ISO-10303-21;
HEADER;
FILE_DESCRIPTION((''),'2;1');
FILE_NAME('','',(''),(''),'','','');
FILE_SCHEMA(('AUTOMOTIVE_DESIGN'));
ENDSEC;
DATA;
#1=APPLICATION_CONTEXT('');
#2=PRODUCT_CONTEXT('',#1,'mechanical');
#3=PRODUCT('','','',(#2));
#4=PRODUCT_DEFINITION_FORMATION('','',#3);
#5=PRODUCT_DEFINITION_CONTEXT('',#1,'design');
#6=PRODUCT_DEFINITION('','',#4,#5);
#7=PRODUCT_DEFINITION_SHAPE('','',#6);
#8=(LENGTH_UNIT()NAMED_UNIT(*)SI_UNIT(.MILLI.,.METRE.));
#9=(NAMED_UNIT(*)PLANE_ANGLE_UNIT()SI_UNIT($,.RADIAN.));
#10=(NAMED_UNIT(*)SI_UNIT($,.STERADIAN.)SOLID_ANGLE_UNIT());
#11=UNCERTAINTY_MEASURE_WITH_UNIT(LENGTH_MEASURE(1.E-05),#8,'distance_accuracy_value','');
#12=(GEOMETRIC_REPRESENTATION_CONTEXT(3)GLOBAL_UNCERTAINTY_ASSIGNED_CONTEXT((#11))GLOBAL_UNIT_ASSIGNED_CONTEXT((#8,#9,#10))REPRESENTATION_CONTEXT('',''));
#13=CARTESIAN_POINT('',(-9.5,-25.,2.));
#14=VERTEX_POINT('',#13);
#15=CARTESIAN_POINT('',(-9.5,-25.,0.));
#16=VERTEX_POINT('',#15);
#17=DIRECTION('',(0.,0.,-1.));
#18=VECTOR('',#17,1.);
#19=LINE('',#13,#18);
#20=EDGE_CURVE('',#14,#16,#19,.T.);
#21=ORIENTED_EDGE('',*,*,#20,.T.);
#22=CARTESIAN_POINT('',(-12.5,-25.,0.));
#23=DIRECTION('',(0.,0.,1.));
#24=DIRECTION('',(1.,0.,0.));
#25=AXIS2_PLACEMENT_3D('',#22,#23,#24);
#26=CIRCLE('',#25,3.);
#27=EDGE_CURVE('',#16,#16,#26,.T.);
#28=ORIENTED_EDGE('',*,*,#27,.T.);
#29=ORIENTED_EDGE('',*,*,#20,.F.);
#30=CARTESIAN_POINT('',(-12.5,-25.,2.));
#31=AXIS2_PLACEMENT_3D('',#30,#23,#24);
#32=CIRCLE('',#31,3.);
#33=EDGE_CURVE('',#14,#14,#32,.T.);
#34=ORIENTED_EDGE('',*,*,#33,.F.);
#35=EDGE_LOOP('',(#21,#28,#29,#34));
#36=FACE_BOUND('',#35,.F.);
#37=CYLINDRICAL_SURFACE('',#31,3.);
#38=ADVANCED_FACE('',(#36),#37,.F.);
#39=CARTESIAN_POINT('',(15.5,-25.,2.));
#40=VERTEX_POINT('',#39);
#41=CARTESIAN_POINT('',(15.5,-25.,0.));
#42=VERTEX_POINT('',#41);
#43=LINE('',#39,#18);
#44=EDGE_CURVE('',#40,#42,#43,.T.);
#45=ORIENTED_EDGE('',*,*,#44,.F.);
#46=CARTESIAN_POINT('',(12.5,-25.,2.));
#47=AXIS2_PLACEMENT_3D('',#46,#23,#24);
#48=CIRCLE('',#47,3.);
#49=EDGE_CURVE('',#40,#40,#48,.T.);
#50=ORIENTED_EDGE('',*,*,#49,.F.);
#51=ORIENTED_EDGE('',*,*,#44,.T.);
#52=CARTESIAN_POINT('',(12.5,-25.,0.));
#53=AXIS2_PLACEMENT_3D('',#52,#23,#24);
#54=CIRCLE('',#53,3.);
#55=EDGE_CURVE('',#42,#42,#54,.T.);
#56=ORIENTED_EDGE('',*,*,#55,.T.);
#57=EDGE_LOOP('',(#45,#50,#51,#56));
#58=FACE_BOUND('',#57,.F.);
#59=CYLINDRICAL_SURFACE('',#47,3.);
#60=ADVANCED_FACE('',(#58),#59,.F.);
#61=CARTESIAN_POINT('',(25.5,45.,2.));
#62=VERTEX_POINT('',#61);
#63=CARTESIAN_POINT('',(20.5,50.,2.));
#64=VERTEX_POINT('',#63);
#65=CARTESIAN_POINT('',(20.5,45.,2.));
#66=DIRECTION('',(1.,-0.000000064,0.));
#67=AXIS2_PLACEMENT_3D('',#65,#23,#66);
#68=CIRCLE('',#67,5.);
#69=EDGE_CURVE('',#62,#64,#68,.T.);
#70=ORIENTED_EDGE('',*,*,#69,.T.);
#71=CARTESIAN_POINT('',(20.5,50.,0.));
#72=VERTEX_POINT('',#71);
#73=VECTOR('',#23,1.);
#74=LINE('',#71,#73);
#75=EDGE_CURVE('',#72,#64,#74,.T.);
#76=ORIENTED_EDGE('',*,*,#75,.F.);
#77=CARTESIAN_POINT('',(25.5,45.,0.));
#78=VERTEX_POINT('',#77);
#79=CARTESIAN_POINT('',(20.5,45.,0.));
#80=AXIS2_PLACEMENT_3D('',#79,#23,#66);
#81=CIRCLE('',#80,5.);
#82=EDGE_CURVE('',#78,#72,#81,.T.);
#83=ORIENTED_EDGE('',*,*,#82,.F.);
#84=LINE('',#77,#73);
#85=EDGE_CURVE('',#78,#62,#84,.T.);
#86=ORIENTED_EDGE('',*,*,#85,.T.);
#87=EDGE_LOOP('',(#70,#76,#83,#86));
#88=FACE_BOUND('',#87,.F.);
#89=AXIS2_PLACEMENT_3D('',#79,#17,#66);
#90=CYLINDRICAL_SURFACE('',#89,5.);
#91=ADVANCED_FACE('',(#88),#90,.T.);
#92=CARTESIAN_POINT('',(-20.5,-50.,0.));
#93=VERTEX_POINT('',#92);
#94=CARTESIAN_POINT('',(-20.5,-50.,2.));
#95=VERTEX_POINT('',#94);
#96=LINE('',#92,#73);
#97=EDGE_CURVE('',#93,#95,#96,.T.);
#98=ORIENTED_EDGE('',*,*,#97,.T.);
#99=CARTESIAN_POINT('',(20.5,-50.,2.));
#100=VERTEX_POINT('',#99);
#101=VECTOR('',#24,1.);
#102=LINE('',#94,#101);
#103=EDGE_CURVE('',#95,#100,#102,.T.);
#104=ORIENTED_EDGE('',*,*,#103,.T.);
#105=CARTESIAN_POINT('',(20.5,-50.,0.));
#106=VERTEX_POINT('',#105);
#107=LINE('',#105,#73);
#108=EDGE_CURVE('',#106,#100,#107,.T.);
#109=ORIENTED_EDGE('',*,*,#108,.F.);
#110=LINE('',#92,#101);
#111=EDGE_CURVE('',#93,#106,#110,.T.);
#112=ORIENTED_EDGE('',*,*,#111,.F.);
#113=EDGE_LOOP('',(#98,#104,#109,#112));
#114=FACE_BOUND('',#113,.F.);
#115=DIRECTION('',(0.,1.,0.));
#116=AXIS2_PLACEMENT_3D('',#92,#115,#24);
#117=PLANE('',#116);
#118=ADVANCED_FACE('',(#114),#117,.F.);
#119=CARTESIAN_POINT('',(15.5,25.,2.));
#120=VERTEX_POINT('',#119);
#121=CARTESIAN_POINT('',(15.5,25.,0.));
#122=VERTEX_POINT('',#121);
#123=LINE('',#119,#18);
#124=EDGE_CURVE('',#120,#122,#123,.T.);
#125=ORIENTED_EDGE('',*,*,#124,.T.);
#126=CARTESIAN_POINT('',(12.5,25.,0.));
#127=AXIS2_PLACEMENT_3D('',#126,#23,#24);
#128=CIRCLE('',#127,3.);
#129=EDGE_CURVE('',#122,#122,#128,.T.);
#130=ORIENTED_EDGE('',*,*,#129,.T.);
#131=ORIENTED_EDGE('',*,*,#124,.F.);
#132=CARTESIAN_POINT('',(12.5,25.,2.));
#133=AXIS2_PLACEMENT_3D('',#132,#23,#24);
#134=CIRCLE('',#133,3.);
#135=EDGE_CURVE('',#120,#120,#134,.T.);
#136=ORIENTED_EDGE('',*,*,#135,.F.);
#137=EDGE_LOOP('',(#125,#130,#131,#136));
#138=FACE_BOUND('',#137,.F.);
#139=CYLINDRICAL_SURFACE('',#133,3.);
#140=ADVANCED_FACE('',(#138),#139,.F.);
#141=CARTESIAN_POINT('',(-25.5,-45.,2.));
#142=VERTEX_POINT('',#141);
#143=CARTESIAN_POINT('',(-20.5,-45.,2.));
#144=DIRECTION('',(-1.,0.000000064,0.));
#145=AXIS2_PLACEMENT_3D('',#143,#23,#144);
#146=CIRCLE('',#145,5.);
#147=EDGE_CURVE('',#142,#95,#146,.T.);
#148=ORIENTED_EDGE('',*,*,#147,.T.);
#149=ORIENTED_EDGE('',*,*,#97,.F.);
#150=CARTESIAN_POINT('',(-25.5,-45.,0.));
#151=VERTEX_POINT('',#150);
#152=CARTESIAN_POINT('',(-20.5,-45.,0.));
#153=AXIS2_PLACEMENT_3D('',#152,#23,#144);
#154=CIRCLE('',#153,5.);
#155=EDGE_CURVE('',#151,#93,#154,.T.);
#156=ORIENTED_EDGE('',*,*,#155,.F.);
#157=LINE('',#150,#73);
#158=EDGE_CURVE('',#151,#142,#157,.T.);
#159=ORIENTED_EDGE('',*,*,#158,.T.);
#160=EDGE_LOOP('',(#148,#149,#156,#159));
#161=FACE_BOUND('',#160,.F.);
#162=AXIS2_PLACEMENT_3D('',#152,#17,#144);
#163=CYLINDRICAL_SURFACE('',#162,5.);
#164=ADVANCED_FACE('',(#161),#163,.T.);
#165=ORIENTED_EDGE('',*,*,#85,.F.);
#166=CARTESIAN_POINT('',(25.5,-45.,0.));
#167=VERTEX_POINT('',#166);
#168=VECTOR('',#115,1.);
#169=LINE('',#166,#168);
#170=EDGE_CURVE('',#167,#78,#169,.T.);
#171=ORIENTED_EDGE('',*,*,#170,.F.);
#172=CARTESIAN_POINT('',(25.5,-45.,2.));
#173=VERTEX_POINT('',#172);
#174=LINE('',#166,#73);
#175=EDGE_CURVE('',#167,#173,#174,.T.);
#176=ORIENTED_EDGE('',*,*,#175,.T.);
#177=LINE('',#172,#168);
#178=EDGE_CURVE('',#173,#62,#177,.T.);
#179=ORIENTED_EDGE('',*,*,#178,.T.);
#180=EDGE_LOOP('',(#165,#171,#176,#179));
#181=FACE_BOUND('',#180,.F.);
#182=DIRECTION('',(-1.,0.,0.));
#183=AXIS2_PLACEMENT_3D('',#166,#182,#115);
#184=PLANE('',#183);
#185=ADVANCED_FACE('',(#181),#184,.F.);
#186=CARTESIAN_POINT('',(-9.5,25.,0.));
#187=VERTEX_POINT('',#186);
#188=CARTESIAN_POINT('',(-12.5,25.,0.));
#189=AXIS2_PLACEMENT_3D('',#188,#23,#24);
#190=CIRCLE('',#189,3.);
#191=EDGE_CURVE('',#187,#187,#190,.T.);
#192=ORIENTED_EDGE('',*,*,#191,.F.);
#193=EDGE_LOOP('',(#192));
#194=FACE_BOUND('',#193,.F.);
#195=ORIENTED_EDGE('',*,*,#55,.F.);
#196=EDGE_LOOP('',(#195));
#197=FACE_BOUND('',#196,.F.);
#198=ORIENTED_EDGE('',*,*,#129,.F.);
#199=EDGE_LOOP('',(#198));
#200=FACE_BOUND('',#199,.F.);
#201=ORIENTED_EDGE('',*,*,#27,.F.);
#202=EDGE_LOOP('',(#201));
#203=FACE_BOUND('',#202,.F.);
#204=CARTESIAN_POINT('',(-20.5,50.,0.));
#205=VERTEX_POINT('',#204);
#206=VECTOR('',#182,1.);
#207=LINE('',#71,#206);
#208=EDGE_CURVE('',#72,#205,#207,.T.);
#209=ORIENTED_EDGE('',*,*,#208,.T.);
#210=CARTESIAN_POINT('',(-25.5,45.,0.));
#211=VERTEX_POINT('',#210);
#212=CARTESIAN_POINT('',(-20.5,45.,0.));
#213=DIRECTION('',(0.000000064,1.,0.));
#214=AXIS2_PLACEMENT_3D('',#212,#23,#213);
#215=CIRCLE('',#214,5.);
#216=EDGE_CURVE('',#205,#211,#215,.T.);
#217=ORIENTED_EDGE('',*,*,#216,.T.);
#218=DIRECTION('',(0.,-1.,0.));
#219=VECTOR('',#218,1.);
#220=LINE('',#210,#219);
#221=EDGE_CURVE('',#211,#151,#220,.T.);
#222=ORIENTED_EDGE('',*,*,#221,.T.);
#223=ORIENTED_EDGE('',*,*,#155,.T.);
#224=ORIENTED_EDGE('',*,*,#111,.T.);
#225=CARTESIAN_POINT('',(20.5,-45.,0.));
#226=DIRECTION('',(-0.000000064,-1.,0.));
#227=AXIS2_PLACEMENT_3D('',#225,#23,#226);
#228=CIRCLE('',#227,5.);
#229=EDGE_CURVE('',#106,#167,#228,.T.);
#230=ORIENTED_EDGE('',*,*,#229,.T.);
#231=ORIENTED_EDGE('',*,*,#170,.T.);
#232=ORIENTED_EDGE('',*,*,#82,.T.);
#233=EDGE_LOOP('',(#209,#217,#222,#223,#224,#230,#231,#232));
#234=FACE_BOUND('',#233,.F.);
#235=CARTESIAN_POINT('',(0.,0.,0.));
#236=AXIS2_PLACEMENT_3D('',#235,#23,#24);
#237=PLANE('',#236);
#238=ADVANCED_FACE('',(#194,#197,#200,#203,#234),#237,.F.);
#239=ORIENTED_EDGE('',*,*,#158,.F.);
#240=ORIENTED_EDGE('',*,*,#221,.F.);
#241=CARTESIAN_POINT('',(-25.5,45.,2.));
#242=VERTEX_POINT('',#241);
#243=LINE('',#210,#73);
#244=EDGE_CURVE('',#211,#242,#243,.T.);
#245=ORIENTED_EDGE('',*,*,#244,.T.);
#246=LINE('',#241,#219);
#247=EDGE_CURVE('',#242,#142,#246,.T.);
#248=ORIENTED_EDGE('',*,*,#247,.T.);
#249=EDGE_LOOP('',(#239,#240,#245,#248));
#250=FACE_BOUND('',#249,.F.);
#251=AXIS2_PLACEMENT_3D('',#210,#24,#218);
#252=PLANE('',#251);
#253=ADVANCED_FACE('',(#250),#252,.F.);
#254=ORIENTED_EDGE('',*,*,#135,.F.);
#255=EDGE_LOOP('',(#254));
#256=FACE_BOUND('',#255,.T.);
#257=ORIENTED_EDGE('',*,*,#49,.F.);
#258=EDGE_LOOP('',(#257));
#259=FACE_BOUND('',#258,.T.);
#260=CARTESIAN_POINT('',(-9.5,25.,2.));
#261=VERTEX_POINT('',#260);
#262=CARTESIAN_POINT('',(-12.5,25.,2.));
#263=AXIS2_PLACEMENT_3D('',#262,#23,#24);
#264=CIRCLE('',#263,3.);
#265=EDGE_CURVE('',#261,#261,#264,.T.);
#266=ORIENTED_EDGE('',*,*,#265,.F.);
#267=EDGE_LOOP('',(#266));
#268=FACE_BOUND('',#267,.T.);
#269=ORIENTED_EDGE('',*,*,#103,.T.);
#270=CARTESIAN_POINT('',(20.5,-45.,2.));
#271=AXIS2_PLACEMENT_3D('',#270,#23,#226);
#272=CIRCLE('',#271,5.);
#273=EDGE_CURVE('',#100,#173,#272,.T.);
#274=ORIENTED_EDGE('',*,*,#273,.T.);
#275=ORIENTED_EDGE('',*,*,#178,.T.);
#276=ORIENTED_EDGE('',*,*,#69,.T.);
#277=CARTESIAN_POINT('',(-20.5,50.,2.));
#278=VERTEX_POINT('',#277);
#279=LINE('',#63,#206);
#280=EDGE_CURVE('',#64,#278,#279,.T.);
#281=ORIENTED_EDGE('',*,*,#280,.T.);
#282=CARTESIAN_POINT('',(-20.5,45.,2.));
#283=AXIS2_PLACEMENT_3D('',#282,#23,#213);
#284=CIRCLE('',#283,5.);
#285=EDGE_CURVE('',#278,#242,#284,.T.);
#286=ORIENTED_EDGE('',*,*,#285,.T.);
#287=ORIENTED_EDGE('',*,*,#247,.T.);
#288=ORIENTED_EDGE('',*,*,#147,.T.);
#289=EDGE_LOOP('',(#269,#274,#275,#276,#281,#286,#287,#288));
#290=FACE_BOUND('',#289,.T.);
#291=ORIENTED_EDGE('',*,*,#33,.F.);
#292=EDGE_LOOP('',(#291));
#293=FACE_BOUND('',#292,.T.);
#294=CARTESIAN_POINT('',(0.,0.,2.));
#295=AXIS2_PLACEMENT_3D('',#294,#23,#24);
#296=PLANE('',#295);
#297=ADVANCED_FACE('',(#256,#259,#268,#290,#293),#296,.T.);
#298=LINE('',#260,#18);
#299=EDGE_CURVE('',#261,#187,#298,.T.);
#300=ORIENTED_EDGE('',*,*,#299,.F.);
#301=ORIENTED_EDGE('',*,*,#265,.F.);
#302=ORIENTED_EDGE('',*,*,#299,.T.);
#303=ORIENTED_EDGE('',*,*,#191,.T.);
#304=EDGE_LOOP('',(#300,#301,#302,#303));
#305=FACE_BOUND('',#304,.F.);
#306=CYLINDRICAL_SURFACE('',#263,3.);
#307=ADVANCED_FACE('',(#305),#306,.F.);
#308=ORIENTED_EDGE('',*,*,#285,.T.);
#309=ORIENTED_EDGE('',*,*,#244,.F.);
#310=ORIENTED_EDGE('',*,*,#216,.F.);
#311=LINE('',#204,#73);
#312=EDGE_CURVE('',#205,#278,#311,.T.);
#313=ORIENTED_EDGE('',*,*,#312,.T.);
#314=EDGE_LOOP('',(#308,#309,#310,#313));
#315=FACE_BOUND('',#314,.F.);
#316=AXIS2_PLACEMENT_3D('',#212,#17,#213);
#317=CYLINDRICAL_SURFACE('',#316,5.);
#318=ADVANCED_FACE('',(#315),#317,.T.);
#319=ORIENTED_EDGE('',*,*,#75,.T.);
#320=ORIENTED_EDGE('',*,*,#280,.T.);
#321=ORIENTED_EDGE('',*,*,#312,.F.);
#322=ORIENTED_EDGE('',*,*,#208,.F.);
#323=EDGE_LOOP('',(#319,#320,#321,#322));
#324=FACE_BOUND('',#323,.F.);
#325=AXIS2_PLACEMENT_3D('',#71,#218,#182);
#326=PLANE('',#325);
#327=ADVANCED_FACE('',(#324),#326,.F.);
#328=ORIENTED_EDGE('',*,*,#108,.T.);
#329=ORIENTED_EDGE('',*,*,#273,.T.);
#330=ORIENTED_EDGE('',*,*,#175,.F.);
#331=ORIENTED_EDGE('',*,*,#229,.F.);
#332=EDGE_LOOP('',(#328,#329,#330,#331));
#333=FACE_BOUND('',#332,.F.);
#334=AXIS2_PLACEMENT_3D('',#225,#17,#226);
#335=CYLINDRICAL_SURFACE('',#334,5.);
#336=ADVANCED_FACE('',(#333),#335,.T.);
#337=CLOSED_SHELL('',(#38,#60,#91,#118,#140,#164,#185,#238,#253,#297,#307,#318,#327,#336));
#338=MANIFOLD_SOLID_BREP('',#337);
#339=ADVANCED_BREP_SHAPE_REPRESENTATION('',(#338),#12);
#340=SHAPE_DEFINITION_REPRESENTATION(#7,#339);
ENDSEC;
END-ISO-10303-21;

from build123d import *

# Parameters (mm, degrees)
F1_DEPTH = 2
F2_R     = 3
F3_DEPTH = 25


with BuildPart() as f1:
    # F0 (on Top) → F1 (new body)
    with BuildSketch(Plane.XY):
        with BuildLine():
            Line((-20.5, -50), (20.5, -50))
            ThreePointArc((20.5, -50), (24.035534, -48.535534), (25.5, -45))
            Line((25.5, -45), (25.5, 45))
            ThreePointArc((25.5, 45), (24.035534, 48.535534), (20.5, 50))
            Line((20.5, 50), (-20.5, 50))
            ThreePointArc((-20.5, 50), (-24.035534, 48.535534), (-25.5, 45))
            Line((-25.5, 45), (-25.5, -45))
            ThreePointArc((-25.5, -45), (-24.035534, -48.535534), (-20.5, -50))
        make_face()
    extrude(amount=F1_DEPTH)

    # F2 (on face) → F3 (cut)
    with BuildSketch(Plane.XY.offset(2)):
        with Locations((-12.5, 25)):
            Circle(F2_R)
        with Locations((12.5, 25)):
            Circle(F2_R)
        with Locations((-12.5, -25)):
            Circle(F2_R)
        with Locations((12.5, -25)):
            Circle(F2_R)
    extrude(amount=-F3_DEPTH, mode=Mode.SUBTRACT)


solid = f1.part
